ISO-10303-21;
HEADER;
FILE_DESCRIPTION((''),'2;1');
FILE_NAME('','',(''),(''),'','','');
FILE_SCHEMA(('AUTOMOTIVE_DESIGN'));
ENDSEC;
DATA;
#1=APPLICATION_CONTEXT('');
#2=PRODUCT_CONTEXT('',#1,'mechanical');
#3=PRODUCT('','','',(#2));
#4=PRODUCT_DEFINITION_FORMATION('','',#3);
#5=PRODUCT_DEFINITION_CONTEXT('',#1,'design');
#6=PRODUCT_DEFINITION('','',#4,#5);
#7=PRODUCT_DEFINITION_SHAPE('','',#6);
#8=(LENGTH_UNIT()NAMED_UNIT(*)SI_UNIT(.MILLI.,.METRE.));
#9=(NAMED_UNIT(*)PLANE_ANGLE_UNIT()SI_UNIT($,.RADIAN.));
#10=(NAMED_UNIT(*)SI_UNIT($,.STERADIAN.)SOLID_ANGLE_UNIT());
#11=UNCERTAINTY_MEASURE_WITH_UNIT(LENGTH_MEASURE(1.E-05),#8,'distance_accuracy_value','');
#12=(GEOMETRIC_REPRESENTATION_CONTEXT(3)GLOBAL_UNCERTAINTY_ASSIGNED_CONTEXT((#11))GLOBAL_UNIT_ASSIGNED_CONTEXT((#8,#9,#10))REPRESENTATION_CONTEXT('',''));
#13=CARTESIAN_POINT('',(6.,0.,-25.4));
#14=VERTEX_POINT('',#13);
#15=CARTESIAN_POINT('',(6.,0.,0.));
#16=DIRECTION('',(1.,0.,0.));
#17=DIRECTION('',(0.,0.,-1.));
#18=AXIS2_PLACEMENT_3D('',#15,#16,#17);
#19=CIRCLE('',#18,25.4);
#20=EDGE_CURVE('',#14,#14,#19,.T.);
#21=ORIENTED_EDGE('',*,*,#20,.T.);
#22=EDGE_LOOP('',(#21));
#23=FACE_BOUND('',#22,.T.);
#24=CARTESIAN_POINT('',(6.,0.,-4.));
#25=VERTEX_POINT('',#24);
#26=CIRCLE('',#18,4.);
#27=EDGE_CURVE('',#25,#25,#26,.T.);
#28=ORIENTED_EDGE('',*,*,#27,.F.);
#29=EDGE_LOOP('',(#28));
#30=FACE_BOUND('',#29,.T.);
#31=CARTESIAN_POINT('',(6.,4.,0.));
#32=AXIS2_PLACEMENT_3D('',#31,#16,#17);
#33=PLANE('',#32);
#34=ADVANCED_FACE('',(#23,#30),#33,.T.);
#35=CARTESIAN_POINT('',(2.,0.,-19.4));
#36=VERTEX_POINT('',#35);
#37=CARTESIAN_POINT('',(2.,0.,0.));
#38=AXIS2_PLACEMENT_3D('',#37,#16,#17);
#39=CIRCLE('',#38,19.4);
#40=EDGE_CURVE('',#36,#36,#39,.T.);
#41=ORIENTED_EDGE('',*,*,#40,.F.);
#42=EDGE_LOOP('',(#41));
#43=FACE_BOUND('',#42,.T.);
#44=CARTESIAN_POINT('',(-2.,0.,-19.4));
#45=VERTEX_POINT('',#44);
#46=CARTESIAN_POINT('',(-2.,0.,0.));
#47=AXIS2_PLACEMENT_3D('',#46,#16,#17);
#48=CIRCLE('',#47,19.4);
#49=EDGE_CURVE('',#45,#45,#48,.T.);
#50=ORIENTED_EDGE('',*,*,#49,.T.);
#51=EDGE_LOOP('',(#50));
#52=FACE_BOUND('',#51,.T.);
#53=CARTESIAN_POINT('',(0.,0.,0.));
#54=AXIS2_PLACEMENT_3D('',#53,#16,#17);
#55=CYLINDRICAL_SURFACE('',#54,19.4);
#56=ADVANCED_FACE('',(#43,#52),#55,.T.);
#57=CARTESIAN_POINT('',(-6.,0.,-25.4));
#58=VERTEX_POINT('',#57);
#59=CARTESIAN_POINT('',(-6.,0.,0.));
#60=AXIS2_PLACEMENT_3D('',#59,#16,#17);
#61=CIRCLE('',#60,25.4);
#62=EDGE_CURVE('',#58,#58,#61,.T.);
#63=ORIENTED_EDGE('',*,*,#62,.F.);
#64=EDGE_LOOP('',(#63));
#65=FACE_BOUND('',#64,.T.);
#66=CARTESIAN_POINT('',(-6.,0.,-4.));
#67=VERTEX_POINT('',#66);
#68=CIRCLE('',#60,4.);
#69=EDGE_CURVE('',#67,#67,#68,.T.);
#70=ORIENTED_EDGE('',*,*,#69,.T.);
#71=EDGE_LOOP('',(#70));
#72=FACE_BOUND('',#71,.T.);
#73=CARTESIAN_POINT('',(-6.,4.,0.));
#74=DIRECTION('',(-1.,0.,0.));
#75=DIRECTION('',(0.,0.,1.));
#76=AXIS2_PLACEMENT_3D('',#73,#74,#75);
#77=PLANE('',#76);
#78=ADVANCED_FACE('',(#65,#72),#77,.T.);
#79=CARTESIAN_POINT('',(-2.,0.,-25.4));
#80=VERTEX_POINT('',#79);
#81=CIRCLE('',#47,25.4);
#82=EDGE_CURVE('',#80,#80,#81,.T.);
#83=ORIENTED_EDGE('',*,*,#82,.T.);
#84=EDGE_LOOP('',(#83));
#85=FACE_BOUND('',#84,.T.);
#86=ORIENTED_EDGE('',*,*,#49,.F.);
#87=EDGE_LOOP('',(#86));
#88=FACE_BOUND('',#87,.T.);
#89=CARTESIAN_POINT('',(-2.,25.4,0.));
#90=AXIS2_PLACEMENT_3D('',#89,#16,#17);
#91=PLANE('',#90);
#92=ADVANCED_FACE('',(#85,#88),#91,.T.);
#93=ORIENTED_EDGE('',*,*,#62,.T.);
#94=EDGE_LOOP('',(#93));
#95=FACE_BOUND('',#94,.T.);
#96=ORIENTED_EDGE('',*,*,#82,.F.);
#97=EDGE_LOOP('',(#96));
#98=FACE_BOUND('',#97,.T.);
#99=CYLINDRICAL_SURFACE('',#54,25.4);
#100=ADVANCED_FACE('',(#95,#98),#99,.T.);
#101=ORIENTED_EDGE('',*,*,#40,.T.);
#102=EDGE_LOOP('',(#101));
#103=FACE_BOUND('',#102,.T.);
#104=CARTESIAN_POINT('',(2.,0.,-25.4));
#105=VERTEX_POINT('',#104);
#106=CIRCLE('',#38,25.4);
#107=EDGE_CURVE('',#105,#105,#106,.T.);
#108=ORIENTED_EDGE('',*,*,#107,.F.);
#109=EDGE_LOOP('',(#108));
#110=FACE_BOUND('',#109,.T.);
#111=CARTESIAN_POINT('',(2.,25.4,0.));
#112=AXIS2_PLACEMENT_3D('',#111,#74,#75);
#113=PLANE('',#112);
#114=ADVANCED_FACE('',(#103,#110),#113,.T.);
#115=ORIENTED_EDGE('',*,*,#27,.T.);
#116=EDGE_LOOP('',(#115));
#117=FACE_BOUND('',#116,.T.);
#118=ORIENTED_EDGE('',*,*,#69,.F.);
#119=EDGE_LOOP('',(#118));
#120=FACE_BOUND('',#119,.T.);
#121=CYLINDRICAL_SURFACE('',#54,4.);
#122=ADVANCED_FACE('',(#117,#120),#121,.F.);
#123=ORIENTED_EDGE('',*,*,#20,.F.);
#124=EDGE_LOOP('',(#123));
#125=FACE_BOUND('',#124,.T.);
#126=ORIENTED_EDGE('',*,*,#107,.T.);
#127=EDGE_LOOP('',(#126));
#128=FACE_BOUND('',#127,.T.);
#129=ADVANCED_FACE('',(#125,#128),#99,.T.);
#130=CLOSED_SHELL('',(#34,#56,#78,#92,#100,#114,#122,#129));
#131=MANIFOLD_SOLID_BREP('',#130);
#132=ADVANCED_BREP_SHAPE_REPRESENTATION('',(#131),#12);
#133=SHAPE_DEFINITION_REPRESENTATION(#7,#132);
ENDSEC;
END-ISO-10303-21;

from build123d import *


with BuildPart() as part:
    # Esboço1 → Revolução1 (revolve)
    with BuildSketch(Plane.XY, mode=Mode.PRIVATE) as revolu_o1_sk:
        Polygon((-6, 4), (-6, 25.4), (-2, 25.4), (-2, 19.4), (2, 19.4), (2, 25.4), (6, 25.4), (6, 4), align=None)
    revolve(revolu_o1_sk.sketch.rotate(Axis((0, 0, 0), (-1, 0, 0)), 90), axis=Axis((0, 0, 0), (-1, 0, 0)))


solid = part.part
